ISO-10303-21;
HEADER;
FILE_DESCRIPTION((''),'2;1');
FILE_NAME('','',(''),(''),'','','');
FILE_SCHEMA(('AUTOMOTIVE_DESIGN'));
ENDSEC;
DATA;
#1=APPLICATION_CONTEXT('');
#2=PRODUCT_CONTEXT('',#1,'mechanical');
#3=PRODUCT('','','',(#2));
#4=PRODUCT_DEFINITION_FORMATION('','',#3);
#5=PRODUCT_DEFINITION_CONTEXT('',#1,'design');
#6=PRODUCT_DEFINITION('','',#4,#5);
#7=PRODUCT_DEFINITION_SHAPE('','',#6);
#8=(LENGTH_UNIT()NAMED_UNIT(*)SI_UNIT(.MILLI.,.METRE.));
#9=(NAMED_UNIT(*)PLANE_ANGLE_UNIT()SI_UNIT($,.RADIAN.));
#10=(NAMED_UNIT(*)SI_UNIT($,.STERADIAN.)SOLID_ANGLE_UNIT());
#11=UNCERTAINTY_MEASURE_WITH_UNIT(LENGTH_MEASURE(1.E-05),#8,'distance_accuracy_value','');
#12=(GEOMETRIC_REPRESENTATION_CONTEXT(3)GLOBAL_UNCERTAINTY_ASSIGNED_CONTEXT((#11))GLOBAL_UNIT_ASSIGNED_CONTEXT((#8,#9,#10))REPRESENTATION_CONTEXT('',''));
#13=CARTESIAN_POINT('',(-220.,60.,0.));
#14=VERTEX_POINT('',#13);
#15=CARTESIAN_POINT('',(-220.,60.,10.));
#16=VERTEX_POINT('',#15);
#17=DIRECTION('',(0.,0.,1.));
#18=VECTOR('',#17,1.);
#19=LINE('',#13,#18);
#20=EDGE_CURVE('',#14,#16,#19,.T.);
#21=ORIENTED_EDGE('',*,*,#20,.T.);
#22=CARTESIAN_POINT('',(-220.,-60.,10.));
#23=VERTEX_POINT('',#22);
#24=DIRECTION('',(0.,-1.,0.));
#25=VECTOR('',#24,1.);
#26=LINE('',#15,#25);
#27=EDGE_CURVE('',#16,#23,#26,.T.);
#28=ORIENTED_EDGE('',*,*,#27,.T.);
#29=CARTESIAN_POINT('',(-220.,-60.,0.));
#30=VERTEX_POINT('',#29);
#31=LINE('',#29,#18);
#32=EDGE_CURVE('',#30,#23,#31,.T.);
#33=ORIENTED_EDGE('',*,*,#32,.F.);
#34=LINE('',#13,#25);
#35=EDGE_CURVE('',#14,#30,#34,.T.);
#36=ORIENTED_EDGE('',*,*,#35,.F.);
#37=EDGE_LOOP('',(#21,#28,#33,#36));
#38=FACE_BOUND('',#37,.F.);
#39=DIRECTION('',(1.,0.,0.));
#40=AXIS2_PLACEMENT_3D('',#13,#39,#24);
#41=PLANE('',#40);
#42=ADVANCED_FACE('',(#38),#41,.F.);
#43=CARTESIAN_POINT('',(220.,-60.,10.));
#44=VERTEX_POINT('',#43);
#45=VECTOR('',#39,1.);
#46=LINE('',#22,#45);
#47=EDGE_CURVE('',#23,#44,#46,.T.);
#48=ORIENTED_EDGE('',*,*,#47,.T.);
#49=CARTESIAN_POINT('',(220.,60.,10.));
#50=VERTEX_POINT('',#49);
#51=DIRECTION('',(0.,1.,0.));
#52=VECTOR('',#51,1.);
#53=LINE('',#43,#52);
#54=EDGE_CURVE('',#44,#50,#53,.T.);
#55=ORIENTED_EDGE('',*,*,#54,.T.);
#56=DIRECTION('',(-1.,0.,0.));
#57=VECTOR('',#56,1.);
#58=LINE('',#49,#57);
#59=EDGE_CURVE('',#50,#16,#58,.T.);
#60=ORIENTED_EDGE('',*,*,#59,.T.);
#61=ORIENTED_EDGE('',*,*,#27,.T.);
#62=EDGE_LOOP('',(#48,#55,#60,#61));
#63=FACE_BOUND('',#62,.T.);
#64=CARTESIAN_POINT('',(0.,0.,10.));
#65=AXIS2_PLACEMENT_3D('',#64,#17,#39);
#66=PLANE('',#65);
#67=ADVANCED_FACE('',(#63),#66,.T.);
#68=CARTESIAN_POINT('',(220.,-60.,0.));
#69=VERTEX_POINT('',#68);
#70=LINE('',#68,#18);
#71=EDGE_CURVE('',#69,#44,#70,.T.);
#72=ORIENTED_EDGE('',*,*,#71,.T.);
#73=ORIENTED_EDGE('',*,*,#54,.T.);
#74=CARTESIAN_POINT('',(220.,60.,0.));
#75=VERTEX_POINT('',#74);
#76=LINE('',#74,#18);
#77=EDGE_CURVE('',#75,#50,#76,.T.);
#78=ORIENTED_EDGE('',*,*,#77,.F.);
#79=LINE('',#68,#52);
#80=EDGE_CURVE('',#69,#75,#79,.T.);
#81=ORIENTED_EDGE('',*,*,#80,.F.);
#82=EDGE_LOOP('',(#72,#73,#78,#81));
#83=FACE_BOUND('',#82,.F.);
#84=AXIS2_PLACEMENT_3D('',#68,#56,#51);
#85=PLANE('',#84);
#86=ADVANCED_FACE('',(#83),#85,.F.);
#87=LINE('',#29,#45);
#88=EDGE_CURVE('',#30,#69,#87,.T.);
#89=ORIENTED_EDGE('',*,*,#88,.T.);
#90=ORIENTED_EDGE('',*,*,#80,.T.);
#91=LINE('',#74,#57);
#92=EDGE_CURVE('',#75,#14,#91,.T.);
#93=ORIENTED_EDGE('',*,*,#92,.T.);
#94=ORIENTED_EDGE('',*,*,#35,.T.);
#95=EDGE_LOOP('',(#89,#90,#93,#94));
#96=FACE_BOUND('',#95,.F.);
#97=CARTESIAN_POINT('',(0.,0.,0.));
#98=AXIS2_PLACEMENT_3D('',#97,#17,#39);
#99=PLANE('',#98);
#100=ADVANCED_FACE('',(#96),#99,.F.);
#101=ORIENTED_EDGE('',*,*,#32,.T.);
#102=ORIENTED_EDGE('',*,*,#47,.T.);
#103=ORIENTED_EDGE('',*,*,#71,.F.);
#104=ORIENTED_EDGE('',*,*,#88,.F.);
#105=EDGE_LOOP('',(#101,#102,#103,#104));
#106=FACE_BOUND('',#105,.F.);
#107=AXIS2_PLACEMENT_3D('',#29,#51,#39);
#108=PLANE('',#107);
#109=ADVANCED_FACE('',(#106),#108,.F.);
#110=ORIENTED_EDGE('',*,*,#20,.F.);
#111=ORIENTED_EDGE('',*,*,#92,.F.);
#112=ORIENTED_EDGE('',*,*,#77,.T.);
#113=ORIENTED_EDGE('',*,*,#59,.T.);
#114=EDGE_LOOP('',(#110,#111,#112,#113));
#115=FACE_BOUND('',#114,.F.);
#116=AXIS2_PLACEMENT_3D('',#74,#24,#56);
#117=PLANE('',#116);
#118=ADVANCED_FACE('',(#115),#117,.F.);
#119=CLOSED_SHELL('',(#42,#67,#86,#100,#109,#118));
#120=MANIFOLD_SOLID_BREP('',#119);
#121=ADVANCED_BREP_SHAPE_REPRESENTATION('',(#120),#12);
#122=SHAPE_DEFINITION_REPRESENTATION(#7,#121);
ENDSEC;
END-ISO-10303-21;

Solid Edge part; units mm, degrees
sketch "Sketch1" plane through (0, 0, 0) normal (0, 0, 1) x (1, 0, 0)
  line L0 (220, 60) -> (-220, 60)
  line L1 (-220, 60) -> (-220, -60)
  line L2 (-220, -60) -> (220, -60)
  line L3 (220, -60) -> (220, 60)
extrude "Protrusion1" add sketch "Sketch1" along normal blind 10
